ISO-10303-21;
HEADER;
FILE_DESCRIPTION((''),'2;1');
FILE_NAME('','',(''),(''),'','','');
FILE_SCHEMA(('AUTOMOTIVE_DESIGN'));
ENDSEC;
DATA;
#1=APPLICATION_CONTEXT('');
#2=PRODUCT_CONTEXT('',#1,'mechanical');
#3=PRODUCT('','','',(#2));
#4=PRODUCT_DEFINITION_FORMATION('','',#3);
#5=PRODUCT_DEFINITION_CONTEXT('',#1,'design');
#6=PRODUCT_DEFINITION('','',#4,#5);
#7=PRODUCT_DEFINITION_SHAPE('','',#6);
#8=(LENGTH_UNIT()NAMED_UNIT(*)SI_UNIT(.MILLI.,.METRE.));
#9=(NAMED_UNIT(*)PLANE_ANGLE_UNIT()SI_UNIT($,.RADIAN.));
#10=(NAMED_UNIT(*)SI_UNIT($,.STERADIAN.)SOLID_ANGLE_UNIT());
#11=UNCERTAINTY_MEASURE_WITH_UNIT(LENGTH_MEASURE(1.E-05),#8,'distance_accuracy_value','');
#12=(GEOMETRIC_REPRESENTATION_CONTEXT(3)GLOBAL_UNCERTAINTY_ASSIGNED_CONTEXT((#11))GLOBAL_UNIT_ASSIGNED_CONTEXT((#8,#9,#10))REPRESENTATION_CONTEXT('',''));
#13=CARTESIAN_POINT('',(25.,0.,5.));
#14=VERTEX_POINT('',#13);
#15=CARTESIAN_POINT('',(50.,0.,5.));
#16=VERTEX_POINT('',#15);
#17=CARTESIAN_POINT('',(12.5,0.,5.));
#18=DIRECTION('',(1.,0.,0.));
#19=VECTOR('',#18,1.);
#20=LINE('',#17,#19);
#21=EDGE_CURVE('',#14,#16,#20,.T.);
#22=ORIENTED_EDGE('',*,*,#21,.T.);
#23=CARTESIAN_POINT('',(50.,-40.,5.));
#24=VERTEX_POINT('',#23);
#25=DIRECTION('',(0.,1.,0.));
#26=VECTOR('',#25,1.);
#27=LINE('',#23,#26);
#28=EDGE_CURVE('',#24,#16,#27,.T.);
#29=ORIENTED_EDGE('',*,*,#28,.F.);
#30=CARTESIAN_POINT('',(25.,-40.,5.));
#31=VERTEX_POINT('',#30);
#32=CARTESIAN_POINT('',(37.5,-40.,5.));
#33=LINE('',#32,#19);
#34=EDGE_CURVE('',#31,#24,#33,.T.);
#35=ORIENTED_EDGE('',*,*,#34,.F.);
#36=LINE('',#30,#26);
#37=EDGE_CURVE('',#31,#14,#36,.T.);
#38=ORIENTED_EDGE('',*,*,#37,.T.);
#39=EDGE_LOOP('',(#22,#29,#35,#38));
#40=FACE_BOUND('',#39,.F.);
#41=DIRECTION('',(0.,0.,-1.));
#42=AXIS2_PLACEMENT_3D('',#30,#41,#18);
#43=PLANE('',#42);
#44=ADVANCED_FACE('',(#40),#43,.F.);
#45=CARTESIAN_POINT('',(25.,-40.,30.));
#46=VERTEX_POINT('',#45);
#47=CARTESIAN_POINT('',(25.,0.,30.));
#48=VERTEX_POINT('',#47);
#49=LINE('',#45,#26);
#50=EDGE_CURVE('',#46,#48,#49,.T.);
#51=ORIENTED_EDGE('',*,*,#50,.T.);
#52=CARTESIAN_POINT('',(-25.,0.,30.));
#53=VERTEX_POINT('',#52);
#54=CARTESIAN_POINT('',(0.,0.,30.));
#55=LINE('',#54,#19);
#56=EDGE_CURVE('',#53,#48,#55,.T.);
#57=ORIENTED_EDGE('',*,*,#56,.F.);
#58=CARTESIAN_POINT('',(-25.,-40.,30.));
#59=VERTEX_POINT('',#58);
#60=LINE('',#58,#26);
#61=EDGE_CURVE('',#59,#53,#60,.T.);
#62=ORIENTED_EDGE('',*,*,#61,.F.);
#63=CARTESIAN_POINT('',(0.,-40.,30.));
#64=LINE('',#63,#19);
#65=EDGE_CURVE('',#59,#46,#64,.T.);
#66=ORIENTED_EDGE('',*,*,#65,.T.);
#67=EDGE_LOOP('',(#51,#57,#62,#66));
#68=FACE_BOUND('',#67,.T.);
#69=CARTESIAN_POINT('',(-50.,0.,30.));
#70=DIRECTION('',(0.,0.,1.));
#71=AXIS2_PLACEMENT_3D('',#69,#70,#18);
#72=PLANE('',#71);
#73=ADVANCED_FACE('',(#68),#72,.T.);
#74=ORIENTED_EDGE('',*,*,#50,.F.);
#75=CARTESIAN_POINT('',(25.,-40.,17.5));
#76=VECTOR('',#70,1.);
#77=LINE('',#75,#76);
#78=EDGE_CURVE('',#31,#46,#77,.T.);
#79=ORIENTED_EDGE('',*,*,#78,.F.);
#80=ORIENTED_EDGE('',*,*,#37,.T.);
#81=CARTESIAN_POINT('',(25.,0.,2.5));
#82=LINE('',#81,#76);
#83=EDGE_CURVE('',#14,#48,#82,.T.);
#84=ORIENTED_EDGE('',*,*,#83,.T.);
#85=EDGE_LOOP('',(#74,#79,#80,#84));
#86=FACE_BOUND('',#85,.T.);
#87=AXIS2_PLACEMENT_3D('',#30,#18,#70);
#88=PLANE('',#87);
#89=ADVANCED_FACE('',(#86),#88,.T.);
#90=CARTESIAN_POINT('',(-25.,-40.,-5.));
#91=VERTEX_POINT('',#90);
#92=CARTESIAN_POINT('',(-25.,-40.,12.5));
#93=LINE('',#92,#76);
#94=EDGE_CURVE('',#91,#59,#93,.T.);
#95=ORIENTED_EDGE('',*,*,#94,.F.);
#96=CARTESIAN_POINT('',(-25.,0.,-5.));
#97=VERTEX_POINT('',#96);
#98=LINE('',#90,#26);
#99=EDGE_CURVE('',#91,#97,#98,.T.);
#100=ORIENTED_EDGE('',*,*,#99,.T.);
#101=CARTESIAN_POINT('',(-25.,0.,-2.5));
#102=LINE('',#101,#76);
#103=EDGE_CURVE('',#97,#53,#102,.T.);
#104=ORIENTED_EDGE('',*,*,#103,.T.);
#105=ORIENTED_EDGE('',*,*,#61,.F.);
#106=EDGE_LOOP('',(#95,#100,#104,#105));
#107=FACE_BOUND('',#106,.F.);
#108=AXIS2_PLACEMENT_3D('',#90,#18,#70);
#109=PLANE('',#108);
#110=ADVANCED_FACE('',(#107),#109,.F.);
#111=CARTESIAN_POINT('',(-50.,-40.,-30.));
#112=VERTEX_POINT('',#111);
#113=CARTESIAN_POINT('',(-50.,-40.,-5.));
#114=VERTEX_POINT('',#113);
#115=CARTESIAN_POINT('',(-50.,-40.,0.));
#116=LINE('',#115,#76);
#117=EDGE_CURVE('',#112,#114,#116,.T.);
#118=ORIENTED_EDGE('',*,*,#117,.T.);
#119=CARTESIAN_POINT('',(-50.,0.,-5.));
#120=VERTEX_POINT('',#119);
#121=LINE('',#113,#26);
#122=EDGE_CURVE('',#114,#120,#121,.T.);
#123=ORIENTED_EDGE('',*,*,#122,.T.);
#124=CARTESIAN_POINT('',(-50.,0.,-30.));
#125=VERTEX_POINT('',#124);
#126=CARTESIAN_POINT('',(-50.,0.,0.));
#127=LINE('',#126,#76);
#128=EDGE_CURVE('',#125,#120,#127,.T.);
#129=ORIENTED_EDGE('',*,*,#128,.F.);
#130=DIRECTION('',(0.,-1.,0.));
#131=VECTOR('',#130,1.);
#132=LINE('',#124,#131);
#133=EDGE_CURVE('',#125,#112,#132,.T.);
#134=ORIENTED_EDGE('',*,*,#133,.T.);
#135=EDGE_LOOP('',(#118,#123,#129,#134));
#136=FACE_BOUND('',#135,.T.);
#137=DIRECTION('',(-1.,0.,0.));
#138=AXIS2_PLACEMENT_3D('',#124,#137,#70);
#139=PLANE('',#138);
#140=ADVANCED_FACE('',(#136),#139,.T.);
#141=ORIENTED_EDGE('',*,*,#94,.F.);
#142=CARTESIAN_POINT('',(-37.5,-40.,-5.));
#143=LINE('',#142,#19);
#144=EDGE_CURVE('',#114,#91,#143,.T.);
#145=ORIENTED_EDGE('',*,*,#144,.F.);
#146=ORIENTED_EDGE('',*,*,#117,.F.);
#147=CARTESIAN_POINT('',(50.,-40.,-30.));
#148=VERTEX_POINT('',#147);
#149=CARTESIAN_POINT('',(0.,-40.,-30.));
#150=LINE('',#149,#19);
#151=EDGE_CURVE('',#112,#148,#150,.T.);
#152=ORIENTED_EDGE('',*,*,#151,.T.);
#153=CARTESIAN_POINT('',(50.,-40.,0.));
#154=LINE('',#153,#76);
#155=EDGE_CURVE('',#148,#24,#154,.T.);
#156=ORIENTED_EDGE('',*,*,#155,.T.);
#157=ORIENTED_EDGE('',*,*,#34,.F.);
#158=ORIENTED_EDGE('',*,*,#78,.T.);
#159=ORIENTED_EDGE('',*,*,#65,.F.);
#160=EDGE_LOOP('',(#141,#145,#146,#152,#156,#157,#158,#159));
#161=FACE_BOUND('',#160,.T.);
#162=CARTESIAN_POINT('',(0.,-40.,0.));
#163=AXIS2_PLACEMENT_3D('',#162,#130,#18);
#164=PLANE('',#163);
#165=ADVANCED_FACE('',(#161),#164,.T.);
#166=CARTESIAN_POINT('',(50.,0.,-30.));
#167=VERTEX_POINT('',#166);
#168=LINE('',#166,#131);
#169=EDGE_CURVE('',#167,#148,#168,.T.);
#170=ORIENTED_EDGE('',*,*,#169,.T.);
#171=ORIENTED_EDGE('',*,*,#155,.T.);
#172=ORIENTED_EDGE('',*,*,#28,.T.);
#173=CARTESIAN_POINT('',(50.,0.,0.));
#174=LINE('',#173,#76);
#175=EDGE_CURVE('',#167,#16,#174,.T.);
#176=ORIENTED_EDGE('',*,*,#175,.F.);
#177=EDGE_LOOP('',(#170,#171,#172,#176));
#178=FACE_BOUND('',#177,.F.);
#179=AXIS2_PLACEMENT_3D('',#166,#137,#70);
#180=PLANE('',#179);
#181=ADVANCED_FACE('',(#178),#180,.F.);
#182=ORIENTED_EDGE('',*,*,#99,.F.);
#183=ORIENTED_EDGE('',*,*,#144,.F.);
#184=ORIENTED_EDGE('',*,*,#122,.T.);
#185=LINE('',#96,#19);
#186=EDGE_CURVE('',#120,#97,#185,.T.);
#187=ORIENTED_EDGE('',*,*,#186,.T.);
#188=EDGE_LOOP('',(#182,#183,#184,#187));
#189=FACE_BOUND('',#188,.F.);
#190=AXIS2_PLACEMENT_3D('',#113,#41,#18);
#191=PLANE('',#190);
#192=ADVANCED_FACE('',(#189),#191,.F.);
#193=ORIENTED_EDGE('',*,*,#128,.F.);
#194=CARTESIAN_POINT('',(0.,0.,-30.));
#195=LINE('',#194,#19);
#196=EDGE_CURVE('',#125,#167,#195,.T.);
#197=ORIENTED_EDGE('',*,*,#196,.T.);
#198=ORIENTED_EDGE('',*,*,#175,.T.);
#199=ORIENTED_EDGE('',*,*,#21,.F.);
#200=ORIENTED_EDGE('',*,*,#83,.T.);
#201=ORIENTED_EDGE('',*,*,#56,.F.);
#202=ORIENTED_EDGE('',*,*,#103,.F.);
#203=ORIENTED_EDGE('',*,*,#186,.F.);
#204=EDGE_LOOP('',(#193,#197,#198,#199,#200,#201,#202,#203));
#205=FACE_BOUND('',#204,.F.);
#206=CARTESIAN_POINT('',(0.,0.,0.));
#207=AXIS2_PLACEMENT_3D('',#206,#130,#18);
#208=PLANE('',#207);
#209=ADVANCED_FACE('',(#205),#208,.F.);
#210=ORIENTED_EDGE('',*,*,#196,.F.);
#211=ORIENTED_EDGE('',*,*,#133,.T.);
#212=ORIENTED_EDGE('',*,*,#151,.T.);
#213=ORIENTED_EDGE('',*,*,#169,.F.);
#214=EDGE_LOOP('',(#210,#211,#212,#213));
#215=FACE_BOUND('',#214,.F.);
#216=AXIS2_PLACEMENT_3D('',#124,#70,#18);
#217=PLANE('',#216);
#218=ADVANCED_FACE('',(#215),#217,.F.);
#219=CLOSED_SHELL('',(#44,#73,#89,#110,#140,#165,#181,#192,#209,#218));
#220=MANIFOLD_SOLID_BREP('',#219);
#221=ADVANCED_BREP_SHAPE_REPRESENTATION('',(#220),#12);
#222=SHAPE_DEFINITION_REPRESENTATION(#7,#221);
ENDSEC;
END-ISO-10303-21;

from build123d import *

# Parameters (mm, degrees)
F0_W     = 100
F0_H     = 60
F1_DEPTH = 40
F2_W     = 25
F2_H     = 35
F2_H_2   = 25
F3_DEPTH = 40.001


with BuildPart() as f1:
    # F0 (on Front) → F1 (new body)
    with BuildSketch(Plane.XZ):
        Rectangle(F0_W, F0_H)
    extrude(amount=F1_DEPTH)

    # F2 (on face) → F3 (cut, through all)
    with BuildSketch(Plane.XZ.offset(40)):
        with Locations((-37.5, 12.5)):
            Rectangle(F2_W, F2_H)
        with Locations((37.5, 17.5)):
            Rectangle(F2_W, F2_H_2)
    extrude(amount=-F3_DEPTH, mode=Mode.SUBTRACT)


solid = f1.part
